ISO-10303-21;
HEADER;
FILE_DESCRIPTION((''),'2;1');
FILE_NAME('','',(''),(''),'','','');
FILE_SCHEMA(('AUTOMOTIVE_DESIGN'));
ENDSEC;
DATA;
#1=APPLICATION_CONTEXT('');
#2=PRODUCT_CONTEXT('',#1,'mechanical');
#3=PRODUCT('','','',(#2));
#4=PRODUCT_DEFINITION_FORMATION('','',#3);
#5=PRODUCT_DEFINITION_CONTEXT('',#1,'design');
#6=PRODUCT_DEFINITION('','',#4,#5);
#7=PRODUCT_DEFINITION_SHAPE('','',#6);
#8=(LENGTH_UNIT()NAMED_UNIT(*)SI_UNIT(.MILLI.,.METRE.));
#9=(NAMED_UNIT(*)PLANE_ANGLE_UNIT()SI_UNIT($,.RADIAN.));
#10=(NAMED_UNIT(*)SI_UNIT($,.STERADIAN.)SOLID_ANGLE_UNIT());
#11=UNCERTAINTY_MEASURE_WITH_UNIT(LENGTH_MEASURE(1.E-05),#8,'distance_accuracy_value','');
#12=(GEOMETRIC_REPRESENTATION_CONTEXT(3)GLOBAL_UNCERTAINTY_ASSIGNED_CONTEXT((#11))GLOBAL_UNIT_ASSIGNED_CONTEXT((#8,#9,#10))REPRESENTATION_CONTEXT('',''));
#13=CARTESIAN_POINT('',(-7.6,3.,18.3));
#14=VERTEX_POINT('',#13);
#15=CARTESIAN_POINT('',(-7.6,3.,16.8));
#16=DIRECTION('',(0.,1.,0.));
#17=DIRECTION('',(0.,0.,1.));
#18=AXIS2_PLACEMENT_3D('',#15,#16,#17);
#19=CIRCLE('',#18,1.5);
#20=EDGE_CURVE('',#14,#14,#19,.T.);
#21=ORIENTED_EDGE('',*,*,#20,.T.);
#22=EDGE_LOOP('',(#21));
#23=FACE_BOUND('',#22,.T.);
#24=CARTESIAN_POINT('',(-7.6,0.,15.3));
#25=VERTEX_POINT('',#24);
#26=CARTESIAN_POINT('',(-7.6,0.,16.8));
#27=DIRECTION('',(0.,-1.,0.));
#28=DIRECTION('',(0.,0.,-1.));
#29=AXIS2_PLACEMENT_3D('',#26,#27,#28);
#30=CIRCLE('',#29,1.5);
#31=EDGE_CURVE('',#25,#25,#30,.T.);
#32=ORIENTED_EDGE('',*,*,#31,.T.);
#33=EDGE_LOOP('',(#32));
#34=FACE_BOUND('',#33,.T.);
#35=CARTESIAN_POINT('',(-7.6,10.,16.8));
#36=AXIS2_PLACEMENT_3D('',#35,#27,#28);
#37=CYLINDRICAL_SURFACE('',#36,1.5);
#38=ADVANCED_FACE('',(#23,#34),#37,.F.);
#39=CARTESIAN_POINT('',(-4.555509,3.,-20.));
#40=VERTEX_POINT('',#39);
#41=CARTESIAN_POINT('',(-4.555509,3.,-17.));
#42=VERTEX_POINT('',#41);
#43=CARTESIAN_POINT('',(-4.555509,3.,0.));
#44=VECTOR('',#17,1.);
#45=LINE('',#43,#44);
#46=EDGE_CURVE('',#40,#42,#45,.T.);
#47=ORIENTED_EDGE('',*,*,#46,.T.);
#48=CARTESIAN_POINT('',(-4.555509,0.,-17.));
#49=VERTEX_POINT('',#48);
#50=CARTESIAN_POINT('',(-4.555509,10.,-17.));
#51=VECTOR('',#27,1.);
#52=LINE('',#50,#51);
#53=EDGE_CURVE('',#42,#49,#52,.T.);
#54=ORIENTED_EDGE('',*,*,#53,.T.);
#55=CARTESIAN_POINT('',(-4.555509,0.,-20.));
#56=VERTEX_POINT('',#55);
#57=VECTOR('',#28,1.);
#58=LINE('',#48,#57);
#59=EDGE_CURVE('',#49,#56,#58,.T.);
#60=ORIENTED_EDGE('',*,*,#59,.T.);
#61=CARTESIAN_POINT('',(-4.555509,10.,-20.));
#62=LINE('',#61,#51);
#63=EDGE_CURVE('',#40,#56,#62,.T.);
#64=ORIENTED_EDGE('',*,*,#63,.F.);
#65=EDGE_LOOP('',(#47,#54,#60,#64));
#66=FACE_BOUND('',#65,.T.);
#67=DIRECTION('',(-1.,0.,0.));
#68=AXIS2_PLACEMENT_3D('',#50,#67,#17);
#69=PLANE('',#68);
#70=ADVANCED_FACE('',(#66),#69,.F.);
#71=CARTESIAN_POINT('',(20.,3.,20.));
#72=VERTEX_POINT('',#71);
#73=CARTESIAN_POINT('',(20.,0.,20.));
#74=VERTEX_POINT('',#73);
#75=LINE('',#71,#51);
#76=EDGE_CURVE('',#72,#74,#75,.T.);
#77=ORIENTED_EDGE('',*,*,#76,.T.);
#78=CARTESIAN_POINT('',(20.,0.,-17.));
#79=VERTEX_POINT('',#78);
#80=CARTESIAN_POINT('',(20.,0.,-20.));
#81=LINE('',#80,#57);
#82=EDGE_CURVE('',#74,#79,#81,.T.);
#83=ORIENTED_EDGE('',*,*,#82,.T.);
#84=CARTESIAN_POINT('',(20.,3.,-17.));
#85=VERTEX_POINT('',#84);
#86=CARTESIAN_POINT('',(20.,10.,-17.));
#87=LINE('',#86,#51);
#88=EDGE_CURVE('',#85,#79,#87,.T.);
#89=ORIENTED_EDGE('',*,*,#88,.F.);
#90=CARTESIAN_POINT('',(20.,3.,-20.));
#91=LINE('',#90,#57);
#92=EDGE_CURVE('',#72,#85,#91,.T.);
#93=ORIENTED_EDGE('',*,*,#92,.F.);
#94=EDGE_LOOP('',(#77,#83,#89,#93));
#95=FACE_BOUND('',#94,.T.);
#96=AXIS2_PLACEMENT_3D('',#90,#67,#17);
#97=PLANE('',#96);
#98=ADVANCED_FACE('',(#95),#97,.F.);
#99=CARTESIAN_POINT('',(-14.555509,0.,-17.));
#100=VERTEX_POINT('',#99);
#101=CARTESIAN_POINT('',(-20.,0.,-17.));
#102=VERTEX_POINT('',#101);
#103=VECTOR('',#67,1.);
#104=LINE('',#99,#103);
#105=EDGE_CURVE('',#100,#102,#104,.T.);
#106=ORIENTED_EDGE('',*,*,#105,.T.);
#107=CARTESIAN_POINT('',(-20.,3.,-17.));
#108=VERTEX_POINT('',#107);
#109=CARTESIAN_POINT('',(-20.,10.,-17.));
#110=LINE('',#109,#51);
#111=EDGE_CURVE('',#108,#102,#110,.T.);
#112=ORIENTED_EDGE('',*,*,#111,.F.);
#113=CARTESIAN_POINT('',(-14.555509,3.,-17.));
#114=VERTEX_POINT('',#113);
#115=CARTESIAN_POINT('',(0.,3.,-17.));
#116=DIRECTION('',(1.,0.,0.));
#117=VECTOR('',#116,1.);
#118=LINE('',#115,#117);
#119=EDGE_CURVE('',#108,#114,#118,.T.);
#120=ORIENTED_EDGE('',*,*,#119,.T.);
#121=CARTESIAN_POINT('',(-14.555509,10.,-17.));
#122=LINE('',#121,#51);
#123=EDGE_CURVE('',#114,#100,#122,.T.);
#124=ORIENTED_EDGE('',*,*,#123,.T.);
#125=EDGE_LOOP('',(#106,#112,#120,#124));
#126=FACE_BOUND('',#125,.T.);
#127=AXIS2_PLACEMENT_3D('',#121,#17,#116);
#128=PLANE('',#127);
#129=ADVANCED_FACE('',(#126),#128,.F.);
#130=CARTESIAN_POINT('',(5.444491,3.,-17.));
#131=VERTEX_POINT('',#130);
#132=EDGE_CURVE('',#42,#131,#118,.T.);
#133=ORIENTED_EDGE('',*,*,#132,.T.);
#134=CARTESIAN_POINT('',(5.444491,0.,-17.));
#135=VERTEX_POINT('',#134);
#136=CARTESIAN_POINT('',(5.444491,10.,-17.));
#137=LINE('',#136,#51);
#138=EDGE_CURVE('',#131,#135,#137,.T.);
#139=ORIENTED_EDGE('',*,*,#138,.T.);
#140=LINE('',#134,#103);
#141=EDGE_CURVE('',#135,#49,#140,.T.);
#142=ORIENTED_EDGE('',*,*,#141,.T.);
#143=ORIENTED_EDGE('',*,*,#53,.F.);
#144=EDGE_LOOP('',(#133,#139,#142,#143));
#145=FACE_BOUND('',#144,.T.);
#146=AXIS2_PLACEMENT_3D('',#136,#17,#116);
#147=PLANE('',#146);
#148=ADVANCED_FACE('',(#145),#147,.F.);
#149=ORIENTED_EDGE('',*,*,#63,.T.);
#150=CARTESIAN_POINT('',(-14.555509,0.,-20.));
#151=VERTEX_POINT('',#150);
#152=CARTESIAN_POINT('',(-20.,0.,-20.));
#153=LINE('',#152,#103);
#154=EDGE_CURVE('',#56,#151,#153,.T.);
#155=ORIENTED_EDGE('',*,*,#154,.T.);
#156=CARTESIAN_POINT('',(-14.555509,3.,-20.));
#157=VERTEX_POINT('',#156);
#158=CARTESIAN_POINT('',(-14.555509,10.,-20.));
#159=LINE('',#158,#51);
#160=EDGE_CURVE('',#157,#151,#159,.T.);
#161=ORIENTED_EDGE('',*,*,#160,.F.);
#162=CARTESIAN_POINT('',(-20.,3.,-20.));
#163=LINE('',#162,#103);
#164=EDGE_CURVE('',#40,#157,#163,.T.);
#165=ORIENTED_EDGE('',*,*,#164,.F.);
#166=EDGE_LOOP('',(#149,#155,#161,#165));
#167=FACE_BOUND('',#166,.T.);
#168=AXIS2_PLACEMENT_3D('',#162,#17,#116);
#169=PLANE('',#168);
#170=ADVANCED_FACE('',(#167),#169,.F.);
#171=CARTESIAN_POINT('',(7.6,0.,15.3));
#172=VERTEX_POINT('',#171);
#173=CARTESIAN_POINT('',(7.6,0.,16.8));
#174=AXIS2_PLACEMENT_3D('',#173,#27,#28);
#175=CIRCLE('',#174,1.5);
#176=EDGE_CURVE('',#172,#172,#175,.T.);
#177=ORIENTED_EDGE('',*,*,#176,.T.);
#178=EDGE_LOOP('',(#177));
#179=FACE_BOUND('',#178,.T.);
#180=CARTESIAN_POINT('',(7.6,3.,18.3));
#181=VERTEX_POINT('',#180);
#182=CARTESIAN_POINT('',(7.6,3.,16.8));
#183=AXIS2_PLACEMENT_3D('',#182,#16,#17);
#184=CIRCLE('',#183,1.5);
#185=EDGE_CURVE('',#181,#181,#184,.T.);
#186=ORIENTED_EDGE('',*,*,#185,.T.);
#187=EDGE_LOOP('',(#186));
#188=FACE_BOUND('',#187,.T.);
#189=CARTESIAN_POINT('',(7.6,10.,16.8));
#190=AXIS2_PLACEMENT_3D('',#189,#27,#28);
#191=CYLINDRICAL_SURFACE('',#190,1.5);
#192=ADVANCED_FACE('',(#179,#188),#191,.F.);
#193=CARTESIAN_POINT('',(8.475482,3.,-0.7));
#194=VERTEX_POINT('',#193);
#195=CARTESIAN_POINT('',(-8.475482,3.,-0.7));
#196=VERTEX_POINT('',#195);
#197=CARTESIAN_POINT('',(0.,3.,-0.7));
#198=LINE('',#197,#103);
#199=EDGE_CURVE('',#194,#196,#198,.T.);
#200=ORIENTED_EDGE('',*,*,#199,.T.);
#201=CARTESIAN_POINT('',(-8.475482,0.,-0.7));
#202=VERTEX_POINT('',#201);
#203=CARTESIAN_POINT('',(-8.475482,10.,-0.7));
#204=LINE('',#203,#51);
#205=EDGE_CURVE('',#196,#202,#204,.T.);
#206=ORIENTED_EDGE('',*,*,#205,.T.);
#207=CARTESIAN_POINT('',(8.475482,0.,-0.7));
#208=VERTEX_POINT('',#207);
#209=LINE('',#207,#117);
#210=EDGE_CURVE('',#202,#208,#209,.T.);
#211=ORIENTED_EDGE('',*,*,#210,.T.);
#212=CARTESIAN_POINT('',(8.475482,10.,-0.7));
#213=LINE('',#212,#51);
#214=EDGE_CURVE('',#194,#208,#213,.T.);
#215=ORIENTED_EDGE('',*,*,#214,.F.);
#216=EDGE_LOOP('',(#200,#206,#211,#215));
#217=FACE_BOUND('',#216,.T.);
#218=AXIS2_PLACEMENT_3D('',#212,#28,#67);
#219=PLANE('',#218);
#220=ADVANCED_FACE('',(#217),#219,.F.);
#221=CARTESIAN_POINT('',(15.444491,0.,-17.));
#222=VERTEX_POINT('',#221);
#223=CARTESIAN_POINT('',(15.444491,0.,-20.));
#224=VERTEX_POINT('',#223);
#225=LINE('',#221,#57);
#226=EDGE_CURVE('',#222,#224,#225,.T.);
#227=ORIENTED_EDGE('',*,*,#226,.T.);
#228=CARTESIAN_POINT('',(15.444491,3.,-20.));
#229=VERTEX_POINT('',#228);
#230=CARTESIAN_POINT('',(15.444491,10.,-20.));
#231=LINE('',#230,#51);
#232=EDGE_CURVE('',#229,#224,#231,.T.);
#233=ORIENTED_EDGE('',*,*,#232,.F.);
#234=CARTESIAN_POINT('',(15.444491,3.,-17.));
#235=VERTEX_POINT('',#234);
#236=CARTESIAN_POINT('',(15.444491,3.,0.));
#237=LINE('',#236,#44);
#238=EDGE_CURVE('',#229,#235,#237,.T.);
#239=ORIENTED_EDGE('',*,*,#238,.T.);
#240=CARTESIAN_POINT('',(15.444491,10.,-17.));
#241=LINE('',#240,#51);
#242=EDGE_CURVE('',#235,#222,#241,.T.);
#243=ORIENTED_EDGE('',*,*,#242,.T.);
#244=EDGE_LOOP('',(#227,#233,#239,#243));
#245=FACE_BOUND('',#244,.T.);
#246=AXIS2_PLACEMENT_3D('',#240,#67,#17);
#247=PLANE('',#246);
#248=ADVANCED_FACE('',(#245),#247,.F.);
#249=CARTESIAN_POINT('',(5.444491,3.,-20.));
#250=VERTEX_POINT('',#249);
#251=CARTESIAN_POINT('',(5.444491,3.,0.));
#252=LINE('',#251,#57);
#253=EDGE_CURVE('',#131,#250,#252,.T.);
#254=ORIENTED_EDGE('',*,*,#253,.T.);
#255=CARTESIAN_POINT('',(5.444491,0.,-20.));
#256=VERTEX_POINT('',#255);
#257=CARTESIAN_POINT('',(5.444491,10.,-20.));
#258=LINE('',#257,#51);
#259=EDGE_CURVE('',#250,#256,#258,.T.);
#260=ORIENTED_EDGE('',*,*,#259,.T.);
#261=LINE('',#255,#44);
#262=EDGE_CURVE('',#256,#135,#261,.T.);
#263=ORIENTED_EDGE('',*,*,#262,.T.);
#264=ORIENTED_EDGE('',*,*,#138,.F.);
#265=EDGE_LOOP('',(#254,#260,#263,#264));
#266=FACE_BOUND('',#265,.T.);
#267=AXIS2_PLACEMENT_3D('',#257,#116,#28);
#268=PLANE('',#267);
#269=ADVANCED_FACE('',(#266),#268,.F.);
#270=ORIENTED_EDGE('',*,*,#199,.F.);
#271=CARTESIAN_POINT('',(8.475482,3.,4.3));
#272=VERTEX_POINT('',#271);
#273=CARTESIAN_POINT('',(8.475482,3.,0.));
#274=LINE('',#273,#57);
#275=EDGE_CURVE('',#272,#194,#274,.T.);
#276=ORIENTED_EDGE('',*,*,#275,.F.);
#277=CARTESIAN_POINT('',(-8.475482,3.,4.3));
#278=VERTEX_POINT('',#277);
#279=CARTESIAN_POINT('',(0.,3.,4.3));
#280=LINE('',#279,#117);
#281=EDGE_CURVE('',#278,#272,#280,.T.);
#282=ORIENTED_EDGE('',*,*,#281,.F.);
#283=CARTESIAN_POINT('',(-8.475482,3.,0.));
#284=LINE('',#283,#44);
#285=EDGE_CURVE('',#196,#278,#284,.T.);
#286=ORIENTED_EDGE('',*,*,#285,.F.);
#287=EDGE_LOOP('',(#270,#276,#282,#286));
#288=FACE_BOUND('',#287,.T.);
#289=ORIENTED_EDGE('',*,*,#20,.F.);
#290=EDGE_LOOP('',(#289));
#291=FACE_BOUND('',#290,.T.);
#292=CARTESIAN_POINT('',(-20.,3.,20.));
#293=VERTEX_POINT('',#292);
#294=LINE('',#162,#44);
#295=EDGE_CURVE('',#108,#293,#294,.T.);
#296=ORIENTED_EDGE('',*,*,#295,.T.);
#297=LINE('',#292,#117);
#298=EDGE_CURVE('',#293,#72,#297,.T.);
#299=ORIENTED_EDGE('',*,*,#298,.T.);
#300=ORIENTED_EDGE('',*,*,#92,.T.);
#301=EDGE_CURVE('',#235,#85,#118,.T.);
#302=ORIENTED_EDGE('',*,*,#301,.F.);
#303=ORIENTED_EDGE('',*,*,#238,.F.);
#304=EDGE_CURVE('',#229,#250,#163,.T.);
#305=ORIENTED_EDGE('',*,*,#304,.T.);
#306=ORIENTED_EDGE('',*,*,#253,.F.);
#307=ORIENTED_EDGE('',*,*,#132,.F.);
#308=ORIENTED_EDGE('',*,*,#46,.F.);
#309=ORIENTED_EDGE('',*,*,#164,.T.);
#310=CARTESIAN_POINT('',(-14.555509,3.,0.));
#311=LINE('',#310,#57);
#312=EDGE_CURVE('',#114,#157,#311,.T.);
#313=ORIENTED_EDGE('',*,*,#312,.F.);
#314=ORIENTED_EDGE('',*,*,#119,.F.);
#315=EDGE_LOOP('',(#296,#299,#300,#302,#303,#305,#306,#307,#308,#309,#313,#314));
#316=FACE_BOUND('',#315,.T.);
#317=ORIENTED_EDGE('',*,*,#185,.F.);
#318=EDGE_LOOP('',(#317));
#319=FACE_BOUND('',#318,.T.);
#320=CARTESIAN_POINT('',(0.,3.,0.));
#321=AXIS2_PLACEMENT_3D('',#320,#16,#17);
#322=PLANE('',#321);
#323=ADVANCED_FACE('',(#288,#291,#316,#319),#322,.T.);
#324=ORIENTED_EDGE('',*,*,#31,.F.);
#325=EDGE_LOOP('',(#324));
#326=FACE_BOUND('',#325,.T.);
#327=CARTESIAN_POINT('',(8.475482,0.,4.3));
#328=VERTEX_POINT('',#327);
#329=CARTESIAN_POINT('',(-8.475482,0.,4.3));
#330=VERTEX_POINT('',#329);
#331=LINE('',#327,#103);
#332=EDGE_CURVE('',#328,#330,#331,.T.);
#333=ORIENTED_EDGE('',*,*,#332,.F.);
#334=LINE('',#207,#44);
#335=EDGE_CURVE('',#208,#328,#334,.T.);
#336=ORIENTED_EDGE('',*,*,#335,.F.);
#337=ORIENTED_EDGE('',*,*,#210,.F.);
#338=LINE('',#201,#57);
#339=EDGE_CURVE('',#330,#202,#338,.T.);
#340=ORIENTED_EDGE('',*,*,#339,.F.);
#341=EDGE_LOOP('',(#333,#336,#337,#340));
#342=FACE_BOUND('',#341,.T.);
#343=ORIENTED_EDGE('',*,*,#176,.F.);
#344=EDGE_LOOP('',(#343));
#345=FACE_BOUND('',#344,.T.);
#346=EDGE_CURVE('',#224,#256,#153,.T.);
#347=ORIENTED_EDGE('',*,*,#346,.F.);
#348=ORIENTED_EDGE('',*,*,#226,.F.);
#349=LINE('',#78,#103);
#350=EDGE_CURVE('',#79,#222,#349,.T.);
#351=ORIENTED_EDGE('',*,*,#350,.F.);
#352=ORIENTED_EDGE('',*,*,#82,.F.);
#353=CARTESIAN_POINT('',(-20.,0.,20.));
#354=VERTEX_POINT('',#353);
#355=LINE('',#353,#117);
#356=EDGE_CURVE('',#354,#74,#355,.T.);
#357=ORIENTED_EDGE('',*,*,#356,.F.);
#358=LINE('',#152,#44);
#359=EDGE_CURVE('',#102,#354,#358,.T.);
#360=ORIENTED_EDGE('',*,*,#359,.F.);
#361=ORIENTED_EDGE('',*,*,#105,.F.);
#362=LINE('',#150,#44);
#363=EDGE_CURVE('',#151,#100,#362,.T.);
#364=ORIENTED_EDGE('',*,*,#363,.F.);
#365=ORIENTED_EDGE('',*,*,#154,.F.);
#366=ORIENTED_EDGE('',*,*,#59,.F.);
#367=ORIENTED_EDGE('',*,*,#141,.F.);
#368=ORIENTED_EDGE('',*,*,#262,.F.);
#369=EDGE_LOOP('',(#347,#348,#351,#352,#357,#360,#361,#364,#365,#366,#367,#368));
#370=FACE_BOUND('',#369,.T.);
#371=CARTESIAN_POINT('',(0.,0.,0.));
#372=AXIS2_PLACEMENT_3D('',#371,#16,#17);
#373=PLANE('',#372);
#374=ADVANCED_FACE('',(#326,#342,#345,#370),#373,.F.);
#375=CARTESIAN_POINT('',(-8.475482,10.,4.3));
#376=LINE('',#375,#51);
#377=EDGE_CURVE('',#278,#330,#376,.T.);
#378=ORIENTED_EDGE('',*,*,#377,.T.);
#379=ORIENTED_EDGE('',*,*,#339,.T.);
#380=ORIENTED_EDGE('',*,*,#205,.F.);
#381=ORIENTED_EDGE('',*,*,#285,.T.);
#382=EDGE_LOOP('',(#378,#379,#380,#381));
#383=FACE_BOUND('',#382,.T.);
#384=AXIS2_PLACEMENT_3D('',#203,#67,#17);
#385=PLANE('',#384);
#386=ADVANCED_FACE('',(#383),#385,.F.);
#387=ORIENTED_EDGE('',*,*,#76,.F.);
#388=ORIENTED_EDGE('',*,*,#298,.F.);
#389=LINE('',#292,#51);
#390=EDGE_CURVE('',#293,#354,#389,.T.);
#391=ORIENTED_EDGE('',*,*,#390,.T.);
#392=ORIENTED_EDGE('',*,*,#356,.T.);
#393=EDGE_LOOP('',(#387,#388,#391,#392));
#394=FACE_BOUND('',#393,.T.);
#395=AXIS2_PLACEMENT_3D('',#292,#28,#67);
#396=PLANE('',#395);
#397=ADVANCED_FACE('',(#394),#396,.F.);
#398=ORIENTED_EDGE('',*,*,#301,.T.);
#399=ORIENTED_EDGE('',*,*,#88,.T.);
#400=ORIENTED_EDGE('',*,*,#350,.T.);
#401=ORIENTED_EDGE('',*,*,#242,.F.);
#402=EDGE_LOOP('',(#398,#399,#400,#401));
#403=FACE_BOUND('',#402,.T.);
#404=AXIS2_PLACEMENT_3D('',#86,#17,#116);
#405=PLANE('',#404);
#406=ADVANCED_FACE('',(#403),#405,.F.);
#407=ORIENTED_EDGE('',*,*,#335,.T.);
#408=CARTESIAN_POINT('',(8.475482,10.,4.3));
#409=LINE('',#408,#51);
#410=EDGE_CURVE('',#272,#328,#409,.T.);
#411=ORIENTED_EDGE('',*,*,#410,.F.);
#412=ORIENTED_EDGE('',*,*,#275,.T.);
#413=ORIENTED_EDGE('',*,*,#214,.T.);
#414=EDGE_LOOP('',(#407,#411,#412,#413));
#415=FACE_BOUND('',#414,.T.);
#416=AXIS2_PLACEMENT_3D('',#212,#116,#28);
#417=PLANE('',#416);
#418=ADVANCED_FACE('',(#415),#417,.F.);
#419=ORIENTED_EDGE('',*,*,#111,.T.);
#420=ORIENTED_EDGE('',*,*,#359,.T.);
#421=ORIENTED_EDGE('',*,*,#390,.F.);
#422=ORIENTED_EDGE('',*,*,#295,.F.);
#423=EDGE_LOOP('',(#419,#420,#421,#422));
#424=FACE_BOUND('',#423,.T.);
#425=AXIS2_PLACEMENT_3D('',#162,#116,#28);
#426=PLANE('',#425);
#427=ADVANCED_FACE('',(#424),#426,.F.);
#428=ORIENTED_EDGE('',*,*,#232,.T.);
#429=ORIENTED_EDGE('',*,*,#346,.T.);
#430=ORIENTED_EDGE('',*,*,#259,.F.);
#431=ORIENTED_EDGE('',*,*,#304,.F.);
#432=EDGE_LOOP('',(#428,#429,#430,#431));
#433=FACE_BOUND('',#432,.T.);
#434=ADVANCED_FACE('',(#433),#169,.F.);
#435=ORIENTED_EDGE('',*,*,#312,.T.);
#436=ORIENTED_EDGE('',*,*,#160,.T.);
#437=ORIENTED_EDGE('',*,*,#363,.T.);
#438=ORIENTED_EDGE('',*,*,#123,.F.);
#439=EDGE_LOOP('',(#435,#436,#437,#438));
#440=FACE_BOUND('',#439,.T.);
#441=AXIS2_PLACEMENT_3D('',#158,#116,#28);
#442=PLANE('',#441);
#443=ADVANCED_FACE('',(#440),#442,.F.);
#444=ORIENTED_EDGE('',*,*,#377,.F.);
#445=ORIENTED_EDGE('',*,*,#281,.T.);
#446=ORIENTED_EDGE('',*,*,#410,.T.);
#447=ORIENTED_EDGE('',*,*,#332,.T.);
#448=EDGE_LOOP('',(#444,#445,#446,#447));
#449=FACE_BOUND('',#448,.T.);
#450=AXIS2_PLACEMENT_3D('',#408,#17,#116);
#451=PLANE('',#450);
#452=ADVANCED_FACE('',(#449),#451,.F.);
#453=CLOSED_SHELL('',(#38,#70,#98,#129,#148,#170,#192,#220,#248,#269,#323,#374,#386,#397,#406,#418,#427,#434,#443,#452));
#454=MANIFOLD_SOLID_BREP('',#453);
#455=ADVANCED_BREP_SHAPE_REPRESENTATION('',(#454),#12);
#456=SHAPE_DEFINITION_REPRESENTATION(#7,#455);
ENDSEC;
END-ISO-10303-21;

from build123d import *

# Parameters (mm, degrees)
SKETCH1_W           = 40
SKETCH1_H           = 40
BOSS_EXTRUDE1_DEPTH = 3
SKETCH2_R           = 1.5
SKETCH2_W           = 16.950963154
SKETCH2_H           = 5
CUT_EXTRUDE2_DEPTH  = 10
CUT_EXTRUDE3_DEPTH  = 10


with BuildPart() as part:
    # Sketch1 → Boss-Extrude1 (new body)
    with BuildSketch(Plane(origin=(0, 0, 0), x_dir=(1, 0, 0), z_dir=(0, 1, 0))):
        Rectangle(SKETCH1_W, SKETCH1_H)
    extrude(amount=BOSS_EXTRUDE1_DEPTH)

    # Sketch2 → Cut-Extrude2 (cut)
    with BuildSketch(Plane.XZ):
        with Locations(Location((7.6, 16.8, 0), (0, 0, 270))):
            Circle(SKETCH2_R)
        with Locations(Location((-7.6, 16.8, 0), (0, 0, 270))):
            Circle(SKETCH2_R)
        with Locations((0, 1.8)):
            Rectangle(SKETCH2_W, SKETCH2_H)
    extrude(amount=-CUT_EXTRUDE2_DEPTH, mode=Mode.SUBTRACT)

    # Sketch5 → Cut-Extrude3 (cut)
    with BuildSketch(Plane.XZ):
        Polygon((20, -17), (15.444490667, -17), (15.444490667, -20), (5.444490667, -20), (5.444490667, -17), (-4.555509333, -17), (-4.555509333, -20), (-14.555509333, -20), (-14.555509333, -17), (-20, -17), (-20, -21.558033771), (20, -21.558033771), align=None)
    extrude(amount=-CUT_EXTRUDE3_DEPTH, mode=Mode.SUBTRACT)


solid = part.part
